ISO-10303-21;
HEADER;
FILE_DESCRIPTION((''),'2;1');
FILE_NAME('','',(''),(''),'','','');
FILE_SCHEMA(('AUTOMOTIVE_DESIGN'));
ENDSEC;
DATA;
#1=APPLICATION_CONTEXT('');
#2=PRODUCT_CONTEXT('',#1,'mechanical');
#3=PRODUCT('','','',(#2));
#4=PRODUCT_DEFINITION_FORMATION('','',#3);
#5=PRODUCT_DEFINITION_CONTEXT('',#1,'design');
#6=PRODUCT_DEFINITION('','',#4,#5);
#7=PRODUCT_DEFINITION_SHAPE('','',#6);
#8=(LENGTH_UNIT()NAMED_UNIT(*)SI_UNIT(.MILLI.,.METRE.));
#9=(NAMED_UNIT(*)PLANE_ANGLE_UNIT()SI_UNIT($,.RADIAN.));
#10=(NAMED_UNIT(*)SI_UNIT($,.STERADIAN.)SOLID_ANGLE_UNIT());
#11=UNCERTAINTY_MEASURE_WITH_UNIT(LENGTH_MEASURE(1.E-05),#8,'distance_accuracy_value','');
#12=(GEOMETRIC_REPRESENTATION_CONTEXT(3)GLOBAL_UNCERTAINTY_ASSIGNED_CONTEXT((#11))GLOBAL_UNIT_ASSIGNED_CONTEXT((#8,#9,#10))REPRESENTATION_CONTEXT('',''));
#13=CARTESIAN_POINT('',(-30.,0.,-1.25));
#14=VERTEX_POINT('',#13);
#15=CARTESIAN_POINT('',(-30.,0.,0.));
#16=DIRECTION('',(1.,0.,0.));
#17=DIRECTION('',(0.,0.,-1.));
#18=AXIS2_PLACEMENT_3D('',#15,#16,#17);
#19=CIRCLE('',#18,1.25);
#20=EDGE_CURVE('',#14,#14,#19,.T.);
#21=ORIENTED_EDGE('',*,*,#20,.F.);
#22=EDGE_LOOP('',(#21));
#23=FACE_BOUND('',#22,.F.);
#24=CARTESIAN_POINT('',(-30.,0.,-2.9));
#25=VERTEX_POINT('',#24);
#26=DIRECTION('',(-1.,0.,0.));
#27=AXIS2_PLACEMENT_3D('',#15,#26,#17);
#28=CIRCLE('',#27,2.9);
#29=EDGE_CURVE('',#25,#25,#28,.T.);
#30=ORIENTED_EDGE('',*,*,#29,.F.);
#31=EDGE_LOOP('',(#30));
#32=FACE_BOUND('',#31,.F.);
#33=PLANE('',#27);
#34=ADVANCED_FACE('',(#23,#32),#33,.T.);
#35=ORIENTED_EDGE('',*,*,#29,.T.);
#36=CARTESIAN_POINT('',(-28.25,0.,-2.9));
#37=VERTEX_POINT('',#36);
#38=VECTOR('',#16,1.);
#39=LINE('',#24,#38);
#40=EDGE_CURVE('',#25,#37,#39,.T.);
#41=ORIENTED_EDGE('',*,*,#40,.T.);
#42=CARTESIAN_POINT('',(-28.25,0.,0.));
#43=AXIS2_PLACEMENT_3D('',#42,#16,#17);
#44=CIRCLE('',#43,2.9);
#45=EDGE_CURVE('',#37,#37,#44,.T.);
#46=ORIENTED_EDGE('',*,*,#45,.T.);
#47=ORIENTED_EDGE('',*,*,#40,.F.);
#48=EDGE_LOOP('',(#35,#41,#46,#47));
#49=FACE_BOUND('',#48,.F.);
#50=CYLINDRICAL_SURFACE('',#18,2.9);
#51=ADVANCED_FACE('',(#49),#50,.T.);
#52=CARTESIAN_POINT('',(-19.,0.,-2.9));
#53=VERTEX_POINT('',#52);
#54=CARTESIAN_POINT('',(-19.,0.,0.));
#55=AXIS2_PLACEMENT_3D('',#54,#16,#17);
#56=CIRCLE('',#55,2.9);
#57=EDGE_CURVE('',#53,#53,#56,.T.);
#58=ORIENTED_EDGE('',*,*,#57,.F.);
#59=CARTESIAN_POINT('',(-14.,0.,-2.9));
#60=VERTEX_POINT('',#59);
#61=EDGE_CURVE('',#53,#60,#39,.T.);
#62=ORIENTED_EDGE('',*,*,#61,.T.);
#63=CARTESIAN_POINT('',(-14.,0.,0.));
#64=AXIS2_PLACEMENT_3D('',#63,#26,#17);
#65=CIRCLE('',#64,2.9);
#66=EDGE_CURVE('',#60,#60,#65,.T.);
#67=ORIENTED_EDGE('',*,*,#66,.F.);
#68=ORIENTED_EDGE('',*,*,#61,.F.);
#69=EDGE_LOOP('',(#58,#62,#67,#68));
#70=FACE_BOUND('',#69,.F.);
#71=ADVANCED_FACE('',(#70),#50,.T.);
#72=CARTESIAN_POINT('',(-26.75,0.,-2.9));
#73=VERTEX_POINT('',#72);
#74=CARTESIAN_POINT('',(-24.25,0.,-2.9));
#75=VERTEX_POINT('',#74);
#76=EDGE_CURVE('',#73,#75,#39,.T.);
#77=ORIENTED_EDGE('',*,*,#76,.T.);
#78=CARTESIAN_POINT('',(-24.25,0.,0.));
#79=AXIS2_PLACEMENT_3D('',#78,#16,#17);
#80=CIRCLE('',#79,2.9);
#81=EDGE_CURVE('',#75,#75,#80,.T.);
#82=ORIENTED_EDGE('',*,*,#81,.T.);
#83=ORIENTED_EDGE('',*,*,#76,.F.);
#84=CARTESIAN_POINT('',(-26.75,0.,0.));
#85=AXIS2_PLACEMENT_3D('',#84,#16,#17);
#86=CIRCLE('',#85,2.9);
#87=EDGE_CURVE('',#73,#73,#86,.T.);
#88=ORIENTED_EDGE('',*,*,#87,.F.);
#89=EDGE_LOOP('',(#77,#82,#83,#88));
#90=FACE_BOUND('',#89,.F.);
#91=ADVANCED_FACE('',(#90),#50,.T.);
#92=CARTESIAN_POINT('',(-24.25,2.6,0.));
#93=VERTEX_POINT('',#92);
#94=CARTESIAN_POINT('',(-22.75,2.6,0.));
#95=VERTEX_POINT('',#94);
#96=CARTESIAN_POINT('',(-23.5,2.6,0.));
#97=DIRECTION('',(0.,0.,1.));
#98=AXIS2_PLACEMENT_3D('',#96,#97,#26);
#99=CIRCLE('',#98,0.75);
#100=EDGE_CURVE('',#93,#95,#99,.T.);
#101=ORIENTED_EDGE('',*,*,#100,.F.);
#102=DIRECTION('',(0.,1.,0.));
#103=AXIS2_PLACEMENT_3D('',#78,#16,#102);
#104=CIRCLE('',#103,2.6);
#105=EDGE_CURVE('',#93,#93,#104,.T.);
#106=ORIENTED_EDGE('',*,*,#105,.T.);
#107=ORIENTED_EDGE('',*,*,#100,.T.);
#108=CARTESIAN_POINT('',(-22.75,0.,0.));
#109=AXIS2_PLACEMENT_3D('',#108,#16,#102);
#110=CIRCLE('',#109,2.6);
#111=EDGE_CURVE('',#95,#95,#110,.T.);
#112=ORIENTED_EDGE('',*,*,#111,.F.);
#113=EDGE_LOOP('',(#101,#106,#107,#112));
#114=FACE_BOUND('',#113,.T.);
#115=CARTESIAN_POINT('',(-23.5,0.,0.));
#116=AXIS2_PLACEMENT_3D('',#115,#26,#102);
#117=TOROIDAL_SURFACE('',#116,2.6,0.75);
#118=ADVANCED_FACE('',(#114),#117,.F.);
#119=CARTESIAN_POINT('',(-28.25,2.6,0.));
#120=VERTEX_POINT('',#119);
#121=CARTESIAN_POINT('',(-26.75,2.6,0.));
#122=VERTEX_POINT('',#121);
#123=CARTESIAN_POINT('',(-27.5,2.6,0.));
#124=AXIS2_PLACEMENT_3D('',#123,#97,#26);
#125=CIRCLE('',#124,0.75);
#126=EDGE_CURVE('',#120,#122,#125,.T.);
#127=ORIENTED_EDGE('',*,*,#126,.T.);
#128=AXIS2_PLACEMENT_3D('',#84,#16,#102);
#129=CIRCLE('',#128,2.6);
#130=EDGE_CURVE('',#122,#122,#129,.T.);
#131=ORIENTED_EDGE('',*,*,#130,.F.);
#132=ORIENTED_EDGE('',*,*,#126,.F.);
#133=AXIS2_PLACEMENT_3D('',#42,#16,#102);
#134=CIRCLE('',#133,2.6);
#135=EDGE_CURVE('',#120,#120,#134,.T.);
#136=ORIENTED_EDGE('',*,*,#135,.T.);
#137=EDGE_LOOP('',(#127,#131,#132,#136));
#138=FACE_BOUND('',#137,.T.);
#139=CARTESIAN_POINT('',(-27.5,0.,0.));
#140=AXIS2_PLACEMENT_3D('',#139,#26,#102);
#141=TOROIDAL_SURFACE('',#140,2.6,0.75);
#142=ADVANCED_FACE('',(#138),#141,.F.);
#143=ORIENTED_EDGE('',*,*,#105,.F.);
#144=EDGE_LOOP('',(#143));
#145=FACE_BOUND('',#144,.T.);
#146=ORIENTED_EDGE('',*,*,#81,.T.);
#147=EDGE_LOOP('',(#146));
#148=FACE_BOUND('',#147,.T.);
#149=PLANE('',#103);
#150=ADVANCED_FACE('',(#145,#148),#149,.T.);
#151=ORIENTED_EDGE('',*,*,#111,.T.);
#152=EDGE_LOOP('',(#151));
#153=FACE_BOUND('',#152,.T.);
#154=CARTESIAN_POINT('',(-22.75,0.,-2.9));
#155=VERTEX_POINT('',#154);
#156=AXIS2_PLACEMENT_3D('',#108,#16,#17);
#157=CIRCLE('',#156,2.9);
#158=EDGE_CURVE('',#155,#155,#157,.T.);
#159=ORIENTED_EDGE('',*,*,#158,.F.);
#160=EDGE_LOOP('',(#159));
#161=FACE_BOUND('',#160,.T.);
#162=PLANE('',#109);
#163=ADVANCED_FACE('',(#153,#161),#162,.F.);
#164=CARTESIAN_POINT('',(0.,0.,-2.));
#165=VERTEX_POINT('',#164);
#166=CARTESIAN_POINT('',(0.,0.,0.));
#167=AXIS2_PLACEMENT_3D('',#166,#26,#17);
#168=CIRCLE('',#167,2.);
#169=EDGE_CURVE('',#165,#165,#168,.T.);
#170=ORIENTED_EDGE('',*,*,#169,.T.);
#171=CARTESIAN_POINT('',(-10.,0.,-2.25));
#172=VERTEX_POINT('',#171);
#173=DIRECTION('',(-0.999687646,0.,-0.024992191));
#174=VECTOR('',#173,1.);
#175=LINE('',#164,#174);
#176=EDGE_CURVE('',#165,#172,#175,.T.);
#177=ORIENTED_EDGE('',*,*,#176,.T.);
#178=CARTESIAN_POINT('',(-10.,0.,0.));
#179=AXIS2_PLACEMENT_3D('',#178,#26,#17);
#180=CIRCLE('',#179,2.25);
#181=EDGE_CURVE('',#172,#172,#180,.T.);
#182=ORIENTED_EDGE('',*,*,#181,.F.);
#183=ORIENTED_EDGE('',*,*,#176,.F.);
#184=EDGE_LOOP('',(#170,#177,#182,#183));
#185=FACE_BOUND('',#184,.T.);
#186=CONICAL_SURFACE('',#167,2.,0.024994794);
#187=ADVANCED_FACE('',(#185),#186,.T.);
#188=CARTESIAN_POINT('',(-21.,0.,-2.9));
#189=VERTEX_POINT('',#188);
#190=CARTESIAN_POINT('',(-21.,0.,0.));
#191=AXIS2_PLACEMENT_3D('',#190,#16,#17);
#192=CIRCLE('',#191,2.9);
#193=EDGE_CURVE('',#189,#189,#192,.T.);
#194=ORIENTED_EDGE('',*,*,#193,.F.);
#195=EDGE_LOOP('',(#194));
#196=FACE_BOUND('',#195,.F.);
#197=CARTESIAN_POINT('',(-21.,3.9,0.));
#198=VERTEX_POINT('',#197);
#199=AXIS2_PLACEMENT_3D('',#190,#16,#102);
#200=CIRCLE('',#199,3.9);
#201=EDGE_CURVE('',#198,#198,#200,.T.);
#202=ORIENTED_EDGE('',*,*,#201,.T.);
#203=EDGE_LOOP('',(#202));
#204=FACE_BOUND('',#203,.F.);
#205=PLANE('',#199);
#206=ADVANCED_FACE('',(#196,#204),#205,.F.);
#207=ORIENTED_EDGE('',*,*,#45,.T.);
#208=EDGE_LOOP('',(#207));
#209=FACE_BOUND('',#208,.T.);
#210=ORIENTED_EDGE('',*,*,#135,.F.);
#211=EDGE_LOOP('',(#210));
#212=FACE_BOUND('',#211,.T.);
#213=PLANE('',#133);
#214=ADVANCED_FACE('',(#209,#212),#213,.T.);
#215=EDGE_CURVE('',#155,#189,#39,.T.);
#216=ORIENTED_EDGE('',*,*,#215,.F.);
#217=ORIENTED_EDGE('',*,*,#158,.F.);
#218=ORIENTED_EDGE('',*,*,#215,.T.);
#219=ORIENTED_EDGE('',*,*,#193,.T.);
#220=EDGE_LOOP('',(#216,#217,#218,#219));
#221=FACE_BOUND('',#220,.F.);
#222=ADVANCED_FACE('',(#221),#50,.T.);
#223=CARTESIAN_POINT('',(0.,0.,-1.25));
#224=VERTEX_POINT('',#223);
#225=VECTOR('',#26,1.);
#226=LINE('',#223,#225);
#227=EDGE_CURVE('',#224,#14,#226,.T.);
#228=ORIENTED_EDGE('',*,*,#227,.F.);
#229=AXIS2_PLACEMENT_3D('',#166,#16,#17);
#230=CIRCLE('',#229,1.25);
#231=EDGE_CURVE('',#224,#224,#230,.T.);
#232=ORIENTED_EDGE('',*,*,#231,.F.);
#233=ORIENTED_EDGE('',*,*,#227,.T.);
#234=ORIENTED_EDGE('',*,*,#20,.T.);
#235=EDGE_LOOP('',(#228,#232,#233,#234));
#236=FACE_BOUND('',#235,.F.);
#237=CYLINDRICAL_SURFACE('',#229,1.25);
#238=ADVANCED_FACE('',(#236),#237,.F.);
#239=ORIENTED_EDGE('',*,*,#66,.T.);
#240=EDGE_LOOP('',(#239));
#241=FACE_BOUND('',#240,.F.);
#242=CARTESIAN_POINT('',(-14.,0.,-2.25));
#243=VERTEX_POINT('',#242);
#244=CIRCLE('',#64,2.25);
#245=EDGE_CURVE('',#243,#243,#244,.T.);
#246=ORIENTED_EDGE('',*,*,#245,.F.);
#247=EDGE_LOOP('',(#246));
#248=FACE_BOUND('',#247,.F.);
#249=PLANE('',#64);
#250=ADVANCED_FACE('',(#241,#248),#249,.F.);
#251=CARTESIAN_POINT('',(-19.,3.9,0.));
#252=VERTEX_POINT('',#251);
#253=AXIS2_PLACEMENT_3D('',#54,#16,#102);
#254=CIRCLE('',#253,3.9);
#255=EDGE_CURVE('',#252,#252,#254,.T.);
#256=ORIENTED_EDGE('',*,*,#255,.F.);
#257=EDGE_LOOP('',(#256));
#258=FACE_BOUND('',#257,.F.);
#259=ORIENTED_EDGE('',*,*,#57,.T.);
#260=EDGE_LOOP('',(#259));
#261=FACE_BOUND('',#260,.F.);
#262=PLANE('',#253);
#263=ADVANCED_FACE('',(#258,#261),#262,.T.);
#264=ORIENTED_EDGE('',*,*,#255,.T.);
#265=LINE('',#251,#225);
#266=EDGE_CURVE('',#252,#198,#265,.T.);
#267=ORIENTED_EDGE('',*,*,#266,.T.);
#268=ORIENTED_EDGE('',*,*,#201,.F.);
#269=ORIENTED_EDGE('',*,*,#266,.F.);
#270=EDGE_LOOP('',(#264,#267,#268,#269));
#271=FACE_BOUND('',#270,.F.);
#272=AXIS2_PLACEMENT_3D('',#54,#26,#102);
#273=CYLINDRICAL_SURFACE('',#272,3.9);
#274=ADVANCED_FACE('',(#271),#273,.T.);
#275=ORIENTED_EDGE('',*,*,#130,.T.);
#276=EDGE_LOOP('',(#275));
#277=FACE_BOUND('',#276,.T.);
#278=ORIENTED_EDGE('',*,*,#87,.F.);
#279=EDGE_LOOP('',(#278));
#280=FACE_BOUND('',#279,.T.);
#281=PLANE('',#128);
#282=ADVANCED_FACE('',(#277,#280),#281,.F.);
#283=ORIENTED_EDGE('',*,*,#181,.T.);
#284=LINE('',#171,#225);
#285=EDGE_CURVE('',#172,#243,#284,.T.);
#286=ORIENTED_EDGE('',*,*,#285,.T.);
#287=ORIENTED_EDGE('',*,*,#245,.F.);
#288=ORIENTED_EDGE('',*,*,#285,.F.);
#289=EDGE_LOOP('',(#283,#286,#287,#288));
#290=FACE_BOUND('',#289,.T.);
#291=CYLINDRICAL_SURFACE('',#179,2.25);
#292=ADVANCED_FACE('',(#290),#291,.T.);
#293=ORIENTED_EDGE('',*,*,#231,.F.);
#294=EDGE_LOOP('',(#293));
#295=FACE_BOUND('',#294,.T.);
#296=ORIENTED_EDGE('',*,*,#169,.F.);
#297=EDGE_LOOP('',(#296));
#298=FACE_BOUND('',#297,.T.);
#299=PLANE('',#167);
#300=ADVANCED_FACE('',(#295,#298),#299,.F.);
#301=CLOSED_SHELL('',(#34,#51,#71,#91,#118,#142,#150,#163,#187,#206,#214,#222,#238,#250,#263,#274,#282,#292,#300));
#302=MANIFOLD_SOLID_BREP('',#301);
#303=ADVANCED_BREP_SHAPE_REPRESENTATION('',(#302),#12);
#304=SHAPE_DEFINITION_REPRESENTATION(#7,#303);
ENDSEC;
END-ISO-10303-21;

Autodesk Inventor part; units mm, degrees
ref_plane "YZ Plane" through (0, 0, 0) normal (1, 0, 0) x (0, 1, 0)
ref_plane "XZ Plane" through (0, 0, 0) normal (0, 1, 0) x (-1, 0, 0)
sketch "Sketch1" plane through (0, 0, 0) normal (0, 1, 0) x (-1, 0, 0)
  line L0 (0, 0) -> (30, 0)
  line L1 (30, 0) -> (30, -2.9)
  line L2 (30, -2.9) -> (14, -2.9)
  line L3 (0, 0) -> (0, -2)
  line L4 (0, -2) -> (10, -2.25)
  line L5 (14, -2.9) -> (14, -2.25)
  line L6 (10, -2.25) -> (14, -2.25)
  dimension "d0" = 30
  dimension "d1" = 2.9
  dimension "d2" = 16
  dimension "d3" = 2
  dimension "d5" = 4.5
  dimension "d6" = 10
  dimension "d20" = 4
revolve "Revolution1" add sketch "Sketch1" angle 360 about axis through (0, 0, 0) along (-1, 0, 0)
sketch "Sketch2" plane through (0, 0, 0) normal (0, 0, 1) x (1, 0, 0)
  line L0 (-14, -2.9) -> (-14, 2.9) construction
  line L1 (-30, -2.9) -> (-30, 2.9) construction
  line L2 (-30, 2.9) -> (-14, 2.9) projected
  line L3 (-30, -2.9) -> (-30, 2.9) projected
  line L4 (-30, 0) -> (0, 0)
  line L5 (-19, 1.9) -> (-19, 3.9)
  line L6 (-19, 3.9) -> (-21, 3.9)
  line L7 (-21, 3.9) -> (-21, 1.9)
  line L8 (-21, 1.9) -> (-19, 1.9)
  line L9 (-30, 2.9) -> (-14, 2.9) projected
  line L10 (-19, 1.9) -> (-21, 3.9) construction
  line L11 (-19, 3.9) -> (-21, 1.9) construction
  line L12 (-30, 2.9) -> (-14, 2.9) projected
  point P0 (-20, 2.9)
  dimension "d39" = 2
  dimension "d40" = 1
  dimension "d42" = 5
revolve "Revolution2" add sketch "Sketch2" angle 360 about axis through (-30, 0, 0) along (1, 0, 0)
sketch "Sketch4" plane through (0, 0, 0) normal (1, 0, 0) x (0, 0, -1)
  circle A0 centre (0, 0) radius 1.25
  dimension "d14" = 2.5
extrude "Extrusion1" cut sketch "Sketch4" against normal through all
ref_plane "Work Plane1" through (-22, 0, 2.9) normal (0, 0, 1) x (1, 0, 0)
sketch "Sketch3" plane through (0, 0, 0) normal (0, 0, 1) x (1, 0, 0)
  line L0 (-30, -2.9) -> (-30, 2.9) projected
  line L1 (-30, 0) -> (0, 0)
  line L2 (-27.5, 3.2) -> (-27.5, 2.6) construction
  line L3 (-30, 2.9) -> (-21, 2.9) projected
  line L4 (-30, 2.9) -> (-21, 2.9) projected
  line L5 (-28.25, 3.2) -> (-28.25, 2.6)
  line L6 (-26.75, 2.6) -> (-26.75, 3.2)
  arc A0 (-26.75, 3.2) -> (-28.25, 3.2) centre (-27.5, 3.2) ccw
  arc A1 (-28.25, 2.6) -> (-26.75, 2.6) centre (-27.5, 2.6) ccw
  line L7 (-23.5, 3.2) -> (-23.5, 2.6) construction
  line L8 (-24.25, 3.2) -> (-24.25, 2.6)
  line L9 (-22.75, 2.6) -> (-22.75, 3.2)
  arc A2 (-22.75, 3.2) -> (-24.25, 3.2) centre (-23.5, 3.2) ccw
  arc A3 (-24.25, 2.6) -> (-22.75, 2.6) centre (-23.5, 2.6) ccw
  point P0 (-27.5, 2.9)
  point P1 (-23.5, 2.9)
  dimension "d28" = 1.5
  dimension "d29" = 0.3
  dimension "d30" = 2.5
  dimension "d34" = 4
revolve "Revolution5" cut sketch "Sketch3" angle 360 about axis through (-30, 0, 0) along (1, 0, 0)
properties part number "Connection" material "Nylon 6/6"
